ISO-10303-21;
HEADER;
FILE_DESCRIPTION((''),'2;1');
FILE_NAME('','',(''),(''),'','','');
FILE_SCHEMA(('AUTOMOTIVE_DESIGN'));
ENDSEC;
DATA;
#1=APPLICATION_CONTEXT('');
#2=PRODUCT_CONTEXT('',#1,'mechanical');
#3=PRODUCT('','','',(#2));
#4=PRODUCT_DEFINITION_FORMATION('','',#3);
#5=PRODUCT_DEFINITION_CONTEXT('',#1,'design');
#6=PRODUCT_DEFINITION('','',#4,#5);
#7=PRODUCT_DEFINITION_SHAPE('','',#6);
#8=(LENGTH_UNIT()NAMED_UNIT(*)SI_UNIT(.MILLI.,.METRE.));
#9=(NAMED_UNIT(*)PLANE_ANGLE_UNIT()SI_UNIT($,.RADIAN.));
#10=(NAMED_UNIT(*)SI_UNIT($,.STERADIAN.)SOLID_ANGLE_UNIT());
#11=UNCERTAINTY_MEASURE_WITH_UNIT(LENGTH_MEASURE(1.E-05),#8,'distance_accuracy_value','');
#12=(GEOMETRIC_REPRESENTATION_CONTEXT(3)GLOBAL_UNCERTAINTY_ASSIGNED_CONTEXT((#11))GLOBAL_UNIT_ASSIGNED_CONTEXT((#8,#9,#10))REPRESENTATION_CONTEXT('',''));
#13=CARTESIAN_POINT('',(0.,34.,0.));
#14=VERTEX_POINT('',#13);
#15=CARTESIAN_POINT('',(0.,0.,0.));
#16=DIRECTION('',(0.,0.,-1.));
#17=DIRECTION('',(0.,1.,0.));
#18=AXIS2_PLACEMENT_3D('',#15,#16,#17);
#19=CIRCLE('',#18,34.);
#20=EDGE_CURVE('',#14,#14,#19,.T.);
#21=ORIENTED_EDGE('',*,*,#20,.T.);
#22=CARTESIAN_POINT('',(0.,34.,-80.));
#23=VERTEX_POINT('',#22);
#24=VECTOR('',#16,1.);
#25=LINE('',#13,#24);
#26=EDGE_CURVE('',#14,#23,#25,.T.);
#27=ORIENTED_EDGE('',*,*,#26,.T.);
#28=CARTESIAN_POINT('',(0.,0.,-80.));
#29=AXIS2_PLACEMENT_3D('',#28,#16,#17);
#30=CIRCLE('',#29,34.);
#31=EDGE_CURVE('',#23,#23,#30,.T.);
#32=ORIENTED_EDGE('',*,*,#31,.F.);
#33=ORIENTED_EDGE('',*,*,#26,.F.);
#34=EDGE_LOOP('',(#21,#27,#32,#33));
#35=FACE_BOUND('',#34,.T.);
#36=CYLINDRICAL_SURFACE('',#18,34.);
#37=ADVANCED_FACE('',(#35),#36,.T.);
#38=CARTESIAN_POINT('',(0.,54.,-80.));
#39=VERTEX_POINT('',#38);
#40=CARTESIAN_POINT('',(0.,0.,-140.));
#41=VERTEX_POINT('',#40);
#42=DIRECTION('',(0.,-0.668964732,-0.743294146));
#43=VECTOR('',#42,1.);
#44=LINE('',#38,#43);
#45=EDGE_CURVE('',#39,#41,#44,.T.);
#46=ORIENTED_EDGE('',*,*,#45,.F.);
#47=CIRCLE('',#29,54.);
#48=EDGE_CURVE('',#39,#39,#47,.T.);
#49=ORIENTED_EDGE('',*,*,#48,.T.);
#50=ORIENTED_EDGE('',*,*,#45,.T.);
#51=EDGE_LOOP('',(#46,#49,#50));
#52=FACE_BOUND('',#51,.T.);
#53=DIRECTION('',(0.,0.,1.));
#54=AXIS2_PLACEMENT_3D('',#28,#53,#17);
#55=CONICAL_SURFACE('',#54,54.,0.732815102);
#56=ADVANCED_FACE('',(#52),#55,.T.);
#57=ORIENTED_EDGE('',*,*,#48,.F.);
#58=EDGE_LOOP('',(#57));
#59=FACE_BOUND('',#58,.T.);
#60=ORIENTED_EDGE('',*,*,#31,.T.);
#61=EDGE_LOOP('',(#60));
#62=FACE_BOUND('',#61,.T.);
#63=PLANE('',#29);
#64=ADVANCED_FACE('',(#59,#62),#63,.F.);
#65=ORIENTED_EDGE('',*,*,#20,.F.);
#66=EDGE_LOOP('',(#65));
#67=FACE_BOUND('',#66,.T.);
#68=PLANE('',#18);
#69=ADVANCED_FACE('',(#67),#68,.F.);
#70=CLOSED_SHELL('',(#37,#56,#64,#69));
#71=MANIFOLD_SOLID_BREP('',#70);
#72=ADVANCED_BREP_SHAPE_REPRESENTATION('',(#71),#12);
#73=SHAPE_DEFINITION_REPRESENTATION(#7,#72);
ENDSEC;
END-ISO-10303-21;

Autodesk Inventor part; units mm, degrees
ref_plane "YZ Plane" through (0, 0, 0) normal (1, 0, 0) x (0, 1, 0)
ref_plane "XZ Plane" through (0, 0, 0) normal (0, 1, 0) x (-1, 0, 0)
ref_plane "XY Plane" through (0, 0, 0) normal (0, 0, 1) x (1, 0, 0)
sketch "Sketch1" plane through (0, 0, 0) normal (1, 0, 0) x (0, 1, 0)
  line L0 (0, 0) -> (0, -140)
  line L1 (0, 0) -> (34, 0)
  line L2 (34, 0) -> (34, -80)
  line L3 (34, -80) -> (54, -80)
  line L4 (54, -80) -> (0, -140)
  dimension "d0" = 140
  dimension "d1" = 80
  dimension "d2" = 20
  dimension "d3" = 68
revolve "Revolution1" add sketch "Sketch1" angle 360 about axis through (0, 0, 0) along (0, 0, -1)
properties part number "ConoDiffusione" material "Steel, Alloy"
